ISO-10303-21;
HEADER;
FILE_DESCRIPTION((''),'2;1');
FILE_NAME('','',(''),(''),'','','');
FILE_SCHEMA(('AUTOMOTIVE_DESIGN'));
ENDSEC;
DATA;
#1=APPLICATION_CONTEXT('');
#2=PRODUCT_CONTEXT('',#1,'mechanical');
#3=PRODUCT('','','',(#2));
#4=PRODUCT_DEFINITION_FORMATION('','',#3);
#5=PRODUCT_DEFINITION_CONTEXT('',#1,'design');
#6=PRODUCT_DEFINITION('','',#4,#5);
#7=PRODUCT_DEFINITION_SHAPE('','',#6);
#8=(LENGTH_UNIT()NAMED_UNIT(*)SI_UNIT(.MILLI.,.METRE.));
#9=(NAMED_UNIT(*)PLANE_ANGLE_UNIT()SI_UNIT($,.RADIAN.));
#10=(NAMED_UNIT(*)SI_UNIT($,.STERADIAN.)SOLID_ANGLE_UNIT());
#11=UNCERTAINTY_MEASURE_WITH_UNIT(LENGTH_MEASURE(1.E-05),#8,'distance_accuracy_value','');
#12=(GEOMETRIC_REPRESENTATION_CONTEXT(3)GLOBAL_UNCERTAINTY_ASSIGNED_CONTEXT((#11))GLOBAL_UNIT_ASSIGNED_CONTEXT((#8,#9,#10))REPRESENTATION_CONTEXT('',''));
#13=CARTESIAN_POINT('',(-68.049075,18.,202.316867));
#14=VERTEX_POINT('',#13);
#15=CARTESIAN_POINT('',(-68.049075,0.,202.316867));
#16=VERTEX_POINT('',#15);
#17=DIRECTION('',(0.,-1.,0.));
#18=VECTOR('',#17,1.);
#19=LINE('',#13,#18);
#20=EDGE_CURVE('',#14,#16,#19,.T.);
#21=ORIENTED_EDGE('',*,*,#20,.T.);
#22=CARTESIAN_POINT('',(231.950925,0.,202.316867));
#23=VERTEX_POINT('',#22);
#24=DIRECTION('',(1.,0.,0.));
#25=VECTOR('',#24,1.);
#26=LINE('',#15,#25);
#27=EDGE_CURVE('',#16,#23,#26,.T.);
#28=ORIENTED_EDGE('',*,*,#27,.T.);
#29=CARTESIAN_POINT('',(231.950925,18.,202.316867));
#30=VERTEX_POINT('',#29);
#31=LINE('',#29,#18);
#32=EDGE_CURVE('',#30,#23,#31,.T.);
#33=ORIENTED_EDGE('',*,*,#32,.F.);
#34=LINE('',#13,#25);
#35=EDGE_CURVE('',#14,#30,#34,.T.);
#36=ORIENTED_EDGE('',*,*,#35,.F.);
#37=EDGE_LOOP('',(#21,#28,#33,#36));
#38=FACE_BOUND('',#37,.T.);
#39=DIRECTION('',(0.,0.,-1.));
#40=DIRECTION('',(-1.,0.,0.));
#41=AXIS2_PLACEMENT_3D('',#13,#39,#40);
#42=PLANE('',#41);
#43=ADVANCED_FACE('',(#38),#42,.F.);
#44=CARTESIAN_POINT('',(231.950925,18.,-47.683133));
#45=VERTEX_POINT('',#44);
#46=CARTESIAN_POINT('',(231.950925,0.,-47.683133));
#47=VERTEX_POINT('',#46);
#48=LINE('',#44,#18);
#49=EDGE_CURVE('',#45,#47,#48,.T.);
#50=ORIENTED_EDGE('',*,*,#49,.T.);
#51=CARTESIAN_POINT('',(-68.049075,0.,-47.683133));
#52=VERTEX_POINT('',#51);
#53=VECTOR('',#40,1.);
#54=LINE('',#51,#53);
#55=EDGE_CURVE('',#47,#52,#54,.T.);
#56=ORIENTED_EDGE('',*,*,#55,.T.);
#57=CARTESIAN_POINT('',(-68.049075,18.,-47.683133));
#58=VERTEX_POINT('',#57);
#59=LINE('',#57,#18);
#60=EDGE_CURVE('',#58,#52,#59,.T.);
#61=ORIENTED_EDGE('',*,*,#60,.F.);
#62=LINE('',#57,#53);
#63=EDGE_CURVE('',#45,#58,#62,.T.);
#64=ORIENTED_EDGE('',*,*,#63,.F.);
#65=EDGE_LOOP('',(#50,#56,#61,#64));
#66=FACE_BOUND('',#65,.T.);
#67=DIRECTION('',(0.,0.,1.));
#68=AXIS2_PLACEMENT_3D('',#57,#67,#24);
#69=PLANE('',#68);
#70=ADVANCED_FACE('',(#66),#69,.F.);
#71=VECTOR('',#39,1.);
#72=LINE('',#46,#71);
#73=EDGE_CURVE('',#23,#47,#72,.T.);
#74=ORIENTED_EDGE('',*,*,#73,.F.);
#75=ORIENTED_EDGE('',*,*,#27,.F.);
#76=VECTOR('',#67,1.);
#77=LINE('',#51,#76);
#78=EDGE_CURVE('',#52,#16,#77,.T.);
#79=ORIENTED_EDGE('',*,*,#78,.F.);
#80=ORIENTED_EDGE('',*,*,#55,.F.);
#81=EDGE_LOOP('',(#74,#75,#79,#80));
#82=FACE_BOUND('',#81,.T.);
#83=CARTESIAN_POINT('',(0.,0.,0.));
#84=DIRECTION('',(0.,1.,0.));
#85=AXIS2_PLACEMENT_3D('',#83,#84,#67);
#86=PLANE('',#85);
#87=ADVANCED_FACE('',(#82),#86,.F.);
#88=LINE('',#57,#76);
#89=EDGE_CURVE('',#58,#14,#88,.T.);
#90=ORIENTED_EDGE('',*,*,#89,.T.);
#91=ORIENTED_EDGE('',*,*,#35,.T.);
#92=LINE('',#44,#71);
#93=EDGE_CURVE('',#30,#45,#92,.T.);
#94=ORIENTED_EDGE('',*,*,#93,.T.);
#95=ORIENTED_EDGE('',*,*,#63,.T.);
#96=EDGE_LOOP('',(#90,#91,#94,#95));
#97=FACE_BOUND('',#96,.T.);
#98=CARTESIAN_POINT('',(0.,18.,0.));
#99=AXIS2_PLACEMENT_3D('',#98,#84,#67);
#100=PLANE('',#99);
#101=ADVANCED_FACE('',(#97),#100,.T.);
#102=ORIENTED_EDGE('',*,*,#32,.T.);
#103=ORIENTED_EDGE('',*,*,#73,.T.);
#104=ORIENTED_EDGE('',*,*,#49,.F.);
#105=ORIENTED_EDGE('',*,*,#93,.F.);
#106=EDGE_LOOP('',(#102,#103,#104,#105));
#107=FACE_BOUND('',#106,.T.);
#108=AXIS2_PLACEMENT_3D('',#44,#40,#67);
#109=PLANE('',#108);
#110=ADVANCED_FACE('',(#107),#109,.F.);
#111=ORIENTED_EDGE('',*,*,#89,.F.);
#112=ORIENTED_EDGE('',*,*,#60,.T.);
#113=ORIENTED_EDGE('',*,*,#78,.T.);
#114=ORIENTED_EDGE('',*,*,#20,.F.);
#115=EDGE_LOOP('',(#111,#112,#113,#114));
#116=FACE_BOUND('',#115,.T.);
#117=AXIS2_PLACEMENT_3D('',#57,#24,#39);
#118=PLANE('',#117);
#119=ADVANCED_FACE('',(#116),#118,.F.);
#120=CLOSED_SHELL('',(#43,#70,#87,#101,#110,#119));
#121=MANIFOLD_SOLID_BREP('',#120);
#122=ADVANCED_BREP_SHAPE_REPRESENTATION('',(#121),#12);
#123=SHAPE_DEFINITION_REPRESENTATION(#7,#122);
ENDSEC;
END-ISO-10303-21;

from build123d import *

# Parameters (mm, degrees)
ESQUISSE1_W        = 300
ESQUISSE1_H        = 250
BOSS_EXTRU_1_DEPTH = 18


with BuildPart() as part:
    # Esquisse1 → Boss.-Extru.1 (new body)
    with BuildSketch(Plane(origin=(0, 0, 0), x_dir=(1, 0, 0), z_dir=(0, 1, 0))):
        with Locations((81.950925179, -77.316866927)):
            Rectangle(ESQUISSE1_W, ESQUISSE1_H)
    extrude(amount=BOSS_EXTRU_1_DEPTH)


solid = part.part
